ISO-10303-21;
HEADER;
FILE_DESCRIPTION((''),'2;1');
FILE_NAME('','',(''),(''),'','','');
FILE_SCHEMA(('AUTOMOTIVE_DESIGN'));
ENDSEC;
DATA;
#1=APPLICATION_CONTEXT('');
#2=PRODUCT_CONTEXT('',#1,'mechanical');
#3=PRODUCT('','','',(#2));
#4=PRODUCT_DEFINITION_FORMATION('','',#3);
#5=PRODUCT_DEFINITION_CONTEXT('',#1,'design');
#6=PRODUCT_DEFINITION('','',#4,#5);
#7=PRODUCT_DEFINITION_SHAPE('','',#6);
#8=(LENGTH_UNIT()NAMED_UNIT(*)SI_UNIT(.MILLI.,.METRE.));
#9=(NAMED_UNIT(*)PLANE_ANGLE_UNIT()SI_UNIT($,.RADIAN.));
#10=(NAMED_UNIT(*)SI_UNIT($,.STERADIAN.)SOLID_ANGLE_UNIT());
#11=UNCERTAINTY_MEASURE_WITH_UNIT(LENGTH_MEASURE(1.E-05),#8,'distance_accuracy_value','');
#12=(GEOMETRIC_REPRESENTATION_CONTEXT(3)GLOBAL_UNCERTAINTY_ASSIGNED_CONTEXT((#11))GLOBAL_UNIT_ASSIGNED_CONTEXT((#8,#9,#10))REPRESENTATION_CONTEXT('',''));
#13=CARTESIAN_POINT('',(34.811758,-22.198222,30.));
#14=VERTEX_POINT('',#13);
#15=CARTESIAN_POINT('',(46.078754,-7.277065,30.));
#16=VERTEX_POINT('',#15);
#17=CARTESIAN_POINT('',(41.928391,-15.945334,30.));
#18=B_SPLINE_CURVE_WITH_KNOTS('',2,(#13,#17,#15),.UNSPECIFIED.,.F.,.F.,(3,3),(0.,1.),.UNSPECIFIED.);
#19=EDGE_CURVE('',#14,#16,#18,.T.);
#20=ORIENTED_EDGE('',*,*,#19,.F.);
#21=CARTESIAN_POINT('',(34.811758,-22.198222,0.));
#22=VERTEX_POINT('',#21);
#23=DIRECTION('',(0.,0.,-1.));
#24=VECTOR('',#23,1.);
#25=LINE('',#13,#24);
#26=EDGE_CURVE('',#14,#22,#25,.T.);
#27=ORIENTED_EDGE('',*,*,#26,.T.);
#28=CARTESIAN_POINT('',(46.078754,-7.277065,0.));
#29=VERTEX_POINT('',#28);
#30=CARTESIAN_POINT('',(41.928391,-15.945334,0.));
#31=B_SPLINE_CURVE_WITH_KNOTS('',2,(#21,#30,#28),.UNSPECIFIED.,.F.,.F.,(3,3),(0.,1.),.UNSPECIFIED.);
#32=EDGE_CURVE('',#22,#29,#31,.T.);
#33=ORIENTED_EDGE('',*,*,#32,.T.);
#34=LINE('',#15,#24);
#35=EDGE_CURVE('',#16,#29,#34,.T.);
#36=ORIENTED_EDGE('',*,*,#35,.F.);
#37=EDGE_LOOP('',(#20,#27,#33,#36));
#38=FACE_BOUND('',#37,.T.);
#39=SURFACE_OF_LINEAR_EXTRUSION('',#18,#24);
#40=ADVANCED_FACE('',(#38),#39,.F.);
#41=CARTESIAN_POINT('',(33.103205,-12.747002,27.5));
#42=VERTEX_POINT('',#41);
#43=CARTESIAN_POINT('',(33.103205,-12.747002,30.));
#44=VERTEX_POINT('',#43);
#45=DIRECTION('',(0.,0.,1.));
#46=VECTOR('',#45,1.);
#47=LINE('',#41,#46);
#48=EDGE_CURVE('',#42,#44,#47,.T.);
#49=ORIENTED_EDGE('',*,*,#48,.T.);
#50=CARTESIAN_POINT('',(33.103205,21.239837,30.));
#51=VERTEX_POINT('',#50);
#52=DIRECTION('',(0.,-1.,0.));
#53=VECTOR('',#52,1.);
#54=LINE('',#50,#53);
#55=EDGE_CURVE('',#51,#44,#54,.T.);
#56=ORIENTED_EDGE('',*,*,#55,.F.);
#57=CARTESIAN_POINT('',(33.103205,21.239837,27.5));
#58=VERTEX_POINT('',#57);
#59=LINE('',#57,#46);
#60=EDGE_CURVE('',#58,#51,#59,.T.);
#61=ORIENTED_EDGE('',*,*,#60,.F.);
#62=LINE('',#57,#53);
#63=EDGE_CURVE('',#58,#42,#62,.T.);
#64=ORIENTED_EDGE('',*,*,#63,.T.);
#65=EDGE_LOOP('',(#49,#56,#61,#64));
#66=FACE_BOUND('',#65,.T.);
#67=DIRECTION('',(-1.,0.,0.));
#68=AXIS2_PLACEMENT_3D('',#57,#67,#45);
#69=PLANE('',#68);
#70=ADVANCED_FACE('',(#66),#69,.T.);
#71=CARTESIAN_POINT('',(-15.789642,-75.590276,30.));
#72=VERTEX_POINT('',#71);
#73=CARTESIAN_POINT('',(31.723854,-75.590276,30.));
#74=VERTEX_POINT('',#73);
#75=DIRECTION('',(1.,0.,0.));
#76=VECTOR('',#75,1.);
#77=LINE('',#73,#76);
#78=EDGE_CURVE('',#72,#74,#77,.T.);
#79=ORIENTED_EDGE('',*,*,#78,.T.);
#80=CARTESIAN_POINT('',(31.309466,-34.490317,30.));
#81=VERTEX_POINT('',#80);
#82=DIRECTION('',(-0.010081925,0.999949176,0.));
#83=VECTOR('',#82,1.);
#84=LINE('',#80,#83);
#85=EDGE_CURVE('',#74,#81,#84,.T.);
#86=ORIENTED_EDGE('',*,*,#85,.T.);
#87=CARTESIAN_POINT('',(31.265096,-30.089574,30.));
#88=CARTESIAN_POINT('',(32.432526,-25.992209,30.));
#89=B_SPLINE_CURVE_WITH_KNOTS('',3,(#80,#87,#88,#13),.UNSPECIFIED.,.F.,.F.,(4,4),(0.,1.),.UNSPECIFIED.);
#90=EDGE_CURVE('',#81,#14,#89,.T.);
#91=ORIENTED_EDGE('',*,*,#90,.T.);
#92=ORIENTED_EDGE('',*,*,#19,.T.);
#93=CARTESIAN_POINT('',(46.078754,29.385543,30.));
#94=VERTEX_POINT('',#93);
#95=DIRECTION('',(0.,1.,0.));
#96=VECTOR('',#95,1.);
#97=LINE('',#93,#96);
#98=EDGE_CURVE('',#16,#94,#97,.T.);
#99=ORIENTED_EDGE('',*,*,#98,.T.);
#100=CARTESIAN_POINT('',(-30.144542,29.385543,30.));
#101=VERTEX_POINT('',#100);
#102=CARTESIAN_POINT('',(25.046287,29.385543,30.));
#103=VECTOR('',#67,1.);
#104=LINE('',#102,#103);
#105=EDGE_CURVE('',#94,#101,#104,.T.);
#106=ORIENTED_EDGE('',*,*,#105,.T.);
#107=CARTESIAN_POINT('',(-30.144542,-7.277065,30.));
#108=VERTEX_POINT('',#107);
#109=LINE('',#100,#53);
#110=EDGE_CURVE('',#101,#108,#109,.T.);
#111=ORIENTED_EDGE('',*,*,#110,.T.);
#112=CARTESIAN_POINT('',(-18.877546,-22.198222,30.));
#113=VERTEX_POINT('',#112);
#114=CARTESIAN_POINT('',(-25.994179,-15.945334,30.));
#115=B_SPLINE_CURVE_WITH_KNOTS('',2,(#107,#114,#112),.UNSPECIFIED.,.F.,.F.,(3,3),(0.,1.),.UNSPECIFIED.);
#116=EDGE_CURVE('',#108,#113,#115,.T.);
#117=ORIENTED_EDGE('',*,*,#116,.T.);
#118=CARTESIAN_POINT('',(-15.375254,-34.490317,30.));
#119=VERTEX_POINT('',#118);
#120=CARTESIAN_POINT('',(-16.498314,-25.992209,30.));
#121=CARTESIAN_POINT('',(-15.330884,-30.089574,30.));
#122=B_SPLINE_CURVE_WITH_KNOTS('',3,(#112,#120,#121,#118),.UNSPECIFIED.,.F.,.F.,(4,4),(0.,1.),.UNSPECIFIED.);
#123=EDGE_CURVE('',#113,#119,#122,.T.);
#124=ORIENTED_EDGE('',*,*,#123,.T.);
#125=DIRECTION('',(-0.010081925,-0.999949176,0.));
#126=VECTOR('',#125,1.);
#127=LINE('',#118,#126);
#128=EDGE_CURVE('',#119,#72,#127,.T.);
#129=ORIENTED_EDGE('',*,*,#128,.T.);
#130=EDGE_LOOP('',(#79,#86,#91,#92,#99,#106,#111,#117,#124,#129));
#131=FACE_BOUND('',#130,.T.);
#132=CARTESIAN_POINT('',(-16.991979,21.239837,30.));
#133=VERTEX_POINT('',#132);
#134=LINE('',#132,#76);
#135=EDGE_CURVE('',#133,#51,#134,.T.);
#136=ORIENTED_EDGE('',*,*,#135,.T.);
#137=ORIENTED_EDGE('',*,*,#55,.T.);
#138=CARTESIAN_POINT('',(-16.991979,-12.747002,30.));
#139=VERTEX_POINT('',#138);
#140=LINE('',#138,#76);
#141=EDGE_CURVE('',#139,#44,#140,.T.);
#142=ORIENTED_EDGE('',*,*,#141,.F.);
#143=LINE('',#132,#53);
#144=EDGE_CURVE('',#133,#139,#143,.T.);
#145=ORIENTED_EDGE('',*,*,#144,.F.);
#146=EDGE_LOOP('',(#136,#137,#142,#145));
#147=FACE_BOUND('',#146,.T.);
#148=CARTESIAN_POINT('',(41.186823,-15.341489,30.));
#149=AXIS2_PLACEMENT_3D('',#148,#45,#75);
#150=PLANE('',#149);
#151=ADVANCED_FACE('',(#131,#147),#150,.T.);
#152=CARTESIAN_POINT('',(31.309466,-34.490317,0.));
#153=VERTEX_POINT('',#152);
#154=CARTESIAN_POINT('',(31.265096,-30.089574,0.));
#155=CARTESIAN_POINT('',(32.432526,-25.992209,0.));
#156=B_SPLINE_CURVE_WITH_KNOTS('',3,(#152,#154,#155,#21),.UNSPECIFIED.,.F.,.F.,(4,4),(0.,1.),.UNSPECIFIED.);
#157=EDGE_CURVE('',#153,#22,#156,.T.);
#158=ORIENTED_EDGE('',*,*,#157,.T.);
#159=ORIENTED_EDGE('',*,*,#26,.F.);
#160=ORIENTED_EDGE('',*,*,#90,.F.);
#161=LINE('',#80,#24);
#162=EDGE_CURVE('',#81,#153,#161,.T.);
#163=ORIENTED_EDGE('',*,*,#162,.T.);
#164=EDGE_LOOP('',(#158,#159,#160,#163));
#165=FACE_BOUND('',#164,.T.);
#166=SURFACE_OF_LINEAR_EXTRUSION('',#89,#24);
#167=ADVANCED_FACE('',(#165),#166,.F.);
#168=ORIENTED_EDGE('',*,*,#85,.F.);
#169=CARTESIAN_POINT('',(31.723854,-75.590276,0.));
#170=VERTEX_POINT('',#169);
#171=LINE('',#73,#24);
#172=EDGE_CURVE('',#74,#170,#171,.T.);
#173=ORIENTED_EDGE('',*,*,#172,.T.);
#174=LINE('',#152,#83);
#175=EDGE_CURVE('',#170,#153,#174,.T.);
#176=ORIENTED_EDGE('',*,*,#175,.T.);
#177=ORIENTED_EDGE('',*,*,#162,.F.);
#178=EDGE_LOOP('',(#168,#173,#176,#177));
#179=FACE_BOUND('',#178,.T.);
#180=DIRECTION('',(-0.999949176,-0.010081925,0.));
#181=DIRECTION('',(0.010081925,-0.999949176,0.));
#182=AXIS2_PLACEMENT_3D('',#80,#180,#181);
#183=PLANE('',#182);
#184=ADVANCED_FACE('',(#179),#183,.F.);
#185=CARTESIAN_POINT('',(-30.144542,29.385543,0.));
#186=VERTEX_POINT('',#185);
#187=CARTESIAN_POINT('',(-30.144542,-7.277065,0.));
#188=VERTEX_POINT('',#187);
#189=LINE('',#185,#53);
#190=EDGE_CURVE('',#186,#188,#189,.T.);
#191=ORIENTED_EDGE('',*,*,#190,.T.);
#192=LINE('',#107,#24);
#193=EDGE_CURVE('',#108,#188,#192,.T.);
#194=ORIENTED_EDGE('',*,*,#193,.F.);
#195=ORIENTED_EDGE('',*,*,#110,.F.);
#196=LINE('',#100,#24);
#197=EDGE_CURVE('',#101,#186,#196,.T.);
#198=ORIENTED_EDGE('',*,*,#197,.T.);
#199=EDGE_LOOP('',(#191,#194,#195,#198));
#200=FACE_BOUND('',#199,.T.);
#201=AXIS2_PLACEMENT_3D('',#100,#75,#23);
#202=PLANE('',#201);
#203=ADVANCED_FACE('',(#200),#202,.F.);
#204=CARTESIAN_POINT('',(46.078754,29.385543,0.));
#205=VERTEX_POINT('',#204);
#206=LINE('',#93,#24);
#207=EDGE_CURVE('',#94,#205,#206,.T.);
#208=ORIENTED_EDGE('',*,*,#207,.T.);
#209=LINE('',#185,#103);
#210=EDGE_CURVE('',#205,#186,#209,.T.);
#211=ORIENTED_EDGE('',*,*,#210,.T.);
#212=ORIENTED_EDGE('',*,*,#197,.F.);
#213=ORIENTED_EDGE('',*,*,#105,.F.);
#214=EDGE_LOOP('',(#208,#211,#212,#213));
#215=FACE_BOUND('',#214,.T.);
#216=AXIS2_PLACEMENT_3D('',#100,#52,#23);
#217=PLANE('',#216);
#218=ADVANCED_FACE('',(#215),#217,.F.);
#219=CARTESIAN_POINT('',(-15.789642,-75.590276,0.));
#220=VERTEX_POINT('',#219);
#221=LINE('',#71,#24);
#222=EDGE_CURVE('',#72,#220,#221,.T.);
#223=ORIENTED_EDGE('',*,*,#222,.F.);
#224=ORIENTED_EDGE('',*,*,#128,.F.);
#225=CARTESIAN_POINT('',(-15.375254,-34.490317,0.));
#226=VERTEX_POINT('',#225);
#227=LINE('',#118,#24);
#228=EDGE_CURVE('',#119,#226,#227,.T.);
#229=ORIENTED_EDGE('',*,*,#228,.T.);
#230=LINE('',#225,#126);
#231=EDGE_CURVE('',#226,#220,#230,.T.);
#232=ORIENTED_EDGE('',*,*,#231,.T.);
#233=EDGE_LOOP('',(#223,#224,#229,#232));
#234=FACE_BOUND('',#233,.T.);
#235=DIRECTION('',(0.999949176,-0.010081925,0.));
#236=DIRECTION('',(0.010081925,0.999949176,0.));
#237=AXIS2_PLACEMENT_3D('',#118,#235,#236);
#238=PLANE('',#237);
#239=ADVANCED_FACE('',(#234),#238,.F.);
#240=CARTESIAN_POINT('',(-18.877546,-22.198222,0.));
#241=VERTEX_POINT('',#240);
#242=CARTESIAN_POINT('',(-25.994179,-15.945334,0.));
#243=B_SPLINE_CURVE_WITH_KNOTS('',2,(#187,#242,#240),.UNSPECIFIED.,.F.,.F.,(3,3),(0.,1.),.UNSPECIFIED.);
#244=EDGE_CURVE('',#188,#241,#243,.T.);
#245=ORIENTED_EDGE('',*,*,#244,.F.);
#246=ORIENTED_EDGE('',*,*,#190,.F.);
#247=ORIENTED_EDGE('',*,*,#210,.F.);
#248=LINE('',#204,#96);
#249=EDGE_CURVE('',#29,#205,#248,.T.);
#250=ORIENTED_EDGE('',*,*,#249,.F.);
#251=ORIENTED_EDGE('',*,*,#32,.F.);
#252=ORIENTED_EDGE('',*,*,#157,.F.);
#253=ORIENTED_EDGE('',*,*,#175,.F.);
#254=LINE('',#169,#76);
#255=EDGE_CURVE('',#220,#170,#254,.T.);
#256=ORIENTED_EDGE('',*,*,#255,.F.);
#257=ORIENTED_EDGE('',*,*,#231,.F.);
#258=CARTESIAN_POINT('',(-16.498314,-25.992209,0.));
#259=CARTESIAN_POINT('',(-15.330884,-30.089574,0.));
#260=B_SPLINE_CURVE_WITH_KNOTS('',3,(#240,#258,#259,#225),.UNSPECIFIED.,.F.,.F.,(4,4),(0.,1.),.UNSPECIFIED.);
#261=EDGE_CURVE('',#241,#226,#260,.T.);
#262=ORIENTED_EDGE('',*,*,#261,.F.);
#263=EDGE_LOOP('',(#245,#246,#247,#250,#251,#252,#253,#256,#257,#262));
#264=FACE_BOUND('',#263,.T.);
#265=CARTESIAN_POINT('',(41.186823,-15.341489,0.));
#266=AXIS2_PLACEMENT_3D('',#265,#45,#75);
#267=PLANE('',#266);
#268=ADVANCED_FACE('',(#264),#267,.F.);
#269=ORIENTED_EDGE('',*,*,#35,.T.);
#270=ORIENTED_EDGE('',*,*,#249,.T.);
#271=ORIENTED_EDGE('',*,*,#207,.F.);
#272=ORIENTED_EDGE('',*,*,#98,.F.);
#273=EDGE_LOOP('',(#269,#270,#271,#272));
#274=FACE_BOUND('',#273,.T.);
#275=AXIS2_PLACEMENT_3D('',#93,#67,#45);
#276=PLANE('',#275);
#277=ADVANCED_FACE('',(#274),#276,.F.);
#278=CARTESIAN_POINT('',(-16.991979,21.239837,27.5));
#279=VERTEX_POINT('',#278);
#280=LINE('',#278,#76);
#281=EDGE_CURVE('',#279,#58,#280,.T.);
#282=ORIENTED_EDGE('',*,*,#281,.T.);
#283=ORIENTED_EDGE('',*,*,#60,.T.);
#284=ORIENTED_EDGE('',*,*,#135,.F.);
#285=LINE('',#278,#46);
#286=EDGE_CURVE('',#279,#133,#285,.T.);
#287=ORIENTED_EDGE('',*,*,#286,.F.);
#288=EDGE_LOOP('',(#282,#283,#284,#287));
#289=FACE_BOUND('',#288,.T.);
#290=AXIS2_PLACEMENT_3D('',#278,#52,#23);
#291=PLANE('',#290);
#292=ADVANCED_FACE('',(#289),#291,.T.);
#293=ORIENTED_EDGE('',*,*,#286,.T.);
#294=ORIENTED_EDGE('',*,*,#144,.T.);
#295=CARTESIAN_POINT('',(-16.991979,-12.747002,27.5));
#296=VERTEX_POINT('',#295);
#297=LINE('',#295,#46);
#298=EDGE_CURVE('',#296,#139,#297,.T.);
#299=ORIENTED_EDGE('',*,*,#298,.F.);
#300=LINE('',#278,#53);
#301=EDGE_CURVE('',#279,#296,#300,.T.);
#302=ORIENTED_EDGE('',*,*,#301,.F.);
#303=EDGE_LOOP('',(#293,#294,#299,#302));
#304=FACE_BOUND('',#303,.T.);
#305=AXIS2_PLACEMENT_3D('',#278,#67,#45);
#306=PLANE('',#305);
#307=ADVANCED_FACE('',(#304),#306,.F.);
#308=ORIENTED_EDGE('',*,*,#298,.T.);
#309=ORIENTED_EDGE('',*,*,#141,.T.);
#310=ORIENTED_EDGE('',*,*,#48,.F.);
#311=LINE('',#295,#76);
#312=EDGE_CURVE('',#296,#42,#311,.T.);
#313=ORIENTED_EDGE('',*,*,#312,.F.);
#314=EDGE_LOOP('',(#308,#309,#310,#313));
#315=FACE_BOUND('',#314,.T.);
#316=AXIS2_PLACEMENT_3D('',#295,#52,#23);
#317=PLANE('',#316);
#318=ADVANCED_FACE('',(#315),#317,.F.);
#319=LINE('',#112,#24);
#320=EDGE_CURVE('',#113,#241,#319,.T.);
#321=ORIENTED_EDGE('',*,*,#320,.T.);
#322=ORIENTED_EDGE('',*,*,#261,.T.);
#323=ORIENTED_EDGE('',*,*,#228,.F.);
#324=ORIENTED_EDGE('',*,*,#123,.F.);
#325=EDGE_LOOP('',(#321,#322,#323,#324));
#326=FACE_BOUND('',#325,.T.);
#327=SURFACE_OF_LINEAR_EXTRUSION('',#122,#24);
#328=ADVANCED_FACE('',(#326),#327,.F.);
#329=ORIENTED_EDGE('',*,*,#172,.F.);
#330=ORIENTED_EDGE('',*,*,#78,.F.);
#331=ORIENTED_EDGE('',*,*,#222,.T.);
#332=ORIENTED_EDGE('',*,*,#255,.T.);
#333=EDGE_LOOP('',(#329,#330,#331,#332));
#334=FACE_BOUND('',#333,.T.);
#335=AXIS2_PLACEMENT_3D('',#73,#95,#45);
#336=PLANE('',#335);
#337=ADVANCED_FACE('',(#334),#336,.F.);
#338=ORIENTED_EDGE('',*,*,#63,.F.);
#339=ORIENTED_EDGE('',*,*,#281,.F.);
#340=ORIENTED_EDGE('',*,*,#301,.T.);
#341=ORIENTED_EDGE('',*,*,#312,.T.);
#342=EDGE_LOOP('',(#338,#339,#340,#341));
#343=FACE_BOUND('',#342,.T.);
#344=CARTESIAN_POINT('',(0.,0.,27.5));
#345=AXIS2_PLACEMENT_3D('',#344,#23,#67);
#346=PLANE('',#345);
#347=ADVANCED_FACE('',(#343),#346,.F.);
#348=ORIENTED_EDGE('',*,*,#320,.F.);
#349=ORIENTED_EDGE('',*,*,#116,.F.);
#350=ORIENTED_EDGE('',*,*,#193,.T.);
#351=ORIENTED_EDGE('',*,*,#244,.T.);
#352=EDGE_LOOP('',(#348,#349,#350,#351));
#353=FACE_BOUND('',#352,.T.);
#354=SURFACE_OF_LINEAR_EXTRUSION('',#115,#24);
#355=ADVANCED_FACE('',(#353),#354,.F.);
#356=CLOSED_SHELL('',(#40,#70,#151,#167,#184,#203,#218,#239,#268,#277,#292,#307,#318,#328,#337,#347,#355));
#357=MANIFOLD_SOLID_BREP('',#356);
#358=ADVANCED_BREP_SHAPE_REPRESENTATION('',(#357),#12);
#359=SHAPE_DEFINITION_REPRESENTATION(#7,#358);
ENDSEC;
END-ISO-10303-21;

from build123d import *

# Parameters (mm, degrees)
BOSS_EXTRUDE1_DEPTH = 30
SKETCH2_W           = 50.095183997
SKETCH2_H           = 33.986838613
CUT_EXTRUDE1_DEPTH  = 2.5


with BuildPart() as part:
    # Sketch1 → Boss-Extrude1 (new body)
    with BuildSketch(Plane.XY):
        with BuildLine():
            Line((31.309465796, -34.490317077), (31.723853575, -75.590275849))
            Line((31.723853575, -75.590275849), (-15.789641544, -75.590275849))
            Line((-15.789641544, -75.590275849), (-15.375253765, -34.490317077))
            add(Edge.make_bspline(
                [(-18.877545921, -22.198221739), (-16.498314262, -25.992208525), (-15.330883543, -30.089573637), (-15.375253765, -34.490317077)],
                knots=[0, 0, 0, 0, 1, 1, 1, 1], degree=3))
            add(Edge.make_bspline(
                [(-30.14454169, -7.27706518), (-25.994179114, -15.945334243), (-18.877545921, -22.198221739)],
                knots=[0, 0, 0, 1, 1, 1], degree=2))
            Line((-30.14454169, -7.27706518), (-30.14454169, 29.385543018))
            Line((-30.14454169, 29.385543018), (25.046286628, 29.385543018))
            Line((25.046286628, 29.385543018), (46.078753721, 29.385543018))
            Line((46.078753721, 29.385543018), (46.078753721, -7.27706518))
            add(Edge.make_bspline(
                [(46.078753721, -7.27706518), (41.928391145, -15.945334243), (34.811757952, -22.198221739)],
                knots=[0, 0, 0, 1, 1, 1], degree=2))
            add(Edge.make_bspline(
                [(34.811757952, -22.198221739), (32.432526292, -25.992208525), (31.265095574, -30.089573637), (31.309465796, -34.490317077)],
                knots=[0, 0, 0, 0, 1, 1, 1, 1], degree=3))
        make_face()
    extrude(amount=BOSS_EXTRUDE1_DEPTH)

    # Sketch2 → Cut-Extrude1 (cut)
    with BuildSketch(Plane.XY.offset(30)):
        with Locations((8.055613407, 4.246417782)):
            Rectangle(SKETCH2_W, SKETCH2_H)
    extrude(amount=-CUT_EXTRUDE1_DEPTH, mode=Mode.SUBTRACT)


solid = part.part
